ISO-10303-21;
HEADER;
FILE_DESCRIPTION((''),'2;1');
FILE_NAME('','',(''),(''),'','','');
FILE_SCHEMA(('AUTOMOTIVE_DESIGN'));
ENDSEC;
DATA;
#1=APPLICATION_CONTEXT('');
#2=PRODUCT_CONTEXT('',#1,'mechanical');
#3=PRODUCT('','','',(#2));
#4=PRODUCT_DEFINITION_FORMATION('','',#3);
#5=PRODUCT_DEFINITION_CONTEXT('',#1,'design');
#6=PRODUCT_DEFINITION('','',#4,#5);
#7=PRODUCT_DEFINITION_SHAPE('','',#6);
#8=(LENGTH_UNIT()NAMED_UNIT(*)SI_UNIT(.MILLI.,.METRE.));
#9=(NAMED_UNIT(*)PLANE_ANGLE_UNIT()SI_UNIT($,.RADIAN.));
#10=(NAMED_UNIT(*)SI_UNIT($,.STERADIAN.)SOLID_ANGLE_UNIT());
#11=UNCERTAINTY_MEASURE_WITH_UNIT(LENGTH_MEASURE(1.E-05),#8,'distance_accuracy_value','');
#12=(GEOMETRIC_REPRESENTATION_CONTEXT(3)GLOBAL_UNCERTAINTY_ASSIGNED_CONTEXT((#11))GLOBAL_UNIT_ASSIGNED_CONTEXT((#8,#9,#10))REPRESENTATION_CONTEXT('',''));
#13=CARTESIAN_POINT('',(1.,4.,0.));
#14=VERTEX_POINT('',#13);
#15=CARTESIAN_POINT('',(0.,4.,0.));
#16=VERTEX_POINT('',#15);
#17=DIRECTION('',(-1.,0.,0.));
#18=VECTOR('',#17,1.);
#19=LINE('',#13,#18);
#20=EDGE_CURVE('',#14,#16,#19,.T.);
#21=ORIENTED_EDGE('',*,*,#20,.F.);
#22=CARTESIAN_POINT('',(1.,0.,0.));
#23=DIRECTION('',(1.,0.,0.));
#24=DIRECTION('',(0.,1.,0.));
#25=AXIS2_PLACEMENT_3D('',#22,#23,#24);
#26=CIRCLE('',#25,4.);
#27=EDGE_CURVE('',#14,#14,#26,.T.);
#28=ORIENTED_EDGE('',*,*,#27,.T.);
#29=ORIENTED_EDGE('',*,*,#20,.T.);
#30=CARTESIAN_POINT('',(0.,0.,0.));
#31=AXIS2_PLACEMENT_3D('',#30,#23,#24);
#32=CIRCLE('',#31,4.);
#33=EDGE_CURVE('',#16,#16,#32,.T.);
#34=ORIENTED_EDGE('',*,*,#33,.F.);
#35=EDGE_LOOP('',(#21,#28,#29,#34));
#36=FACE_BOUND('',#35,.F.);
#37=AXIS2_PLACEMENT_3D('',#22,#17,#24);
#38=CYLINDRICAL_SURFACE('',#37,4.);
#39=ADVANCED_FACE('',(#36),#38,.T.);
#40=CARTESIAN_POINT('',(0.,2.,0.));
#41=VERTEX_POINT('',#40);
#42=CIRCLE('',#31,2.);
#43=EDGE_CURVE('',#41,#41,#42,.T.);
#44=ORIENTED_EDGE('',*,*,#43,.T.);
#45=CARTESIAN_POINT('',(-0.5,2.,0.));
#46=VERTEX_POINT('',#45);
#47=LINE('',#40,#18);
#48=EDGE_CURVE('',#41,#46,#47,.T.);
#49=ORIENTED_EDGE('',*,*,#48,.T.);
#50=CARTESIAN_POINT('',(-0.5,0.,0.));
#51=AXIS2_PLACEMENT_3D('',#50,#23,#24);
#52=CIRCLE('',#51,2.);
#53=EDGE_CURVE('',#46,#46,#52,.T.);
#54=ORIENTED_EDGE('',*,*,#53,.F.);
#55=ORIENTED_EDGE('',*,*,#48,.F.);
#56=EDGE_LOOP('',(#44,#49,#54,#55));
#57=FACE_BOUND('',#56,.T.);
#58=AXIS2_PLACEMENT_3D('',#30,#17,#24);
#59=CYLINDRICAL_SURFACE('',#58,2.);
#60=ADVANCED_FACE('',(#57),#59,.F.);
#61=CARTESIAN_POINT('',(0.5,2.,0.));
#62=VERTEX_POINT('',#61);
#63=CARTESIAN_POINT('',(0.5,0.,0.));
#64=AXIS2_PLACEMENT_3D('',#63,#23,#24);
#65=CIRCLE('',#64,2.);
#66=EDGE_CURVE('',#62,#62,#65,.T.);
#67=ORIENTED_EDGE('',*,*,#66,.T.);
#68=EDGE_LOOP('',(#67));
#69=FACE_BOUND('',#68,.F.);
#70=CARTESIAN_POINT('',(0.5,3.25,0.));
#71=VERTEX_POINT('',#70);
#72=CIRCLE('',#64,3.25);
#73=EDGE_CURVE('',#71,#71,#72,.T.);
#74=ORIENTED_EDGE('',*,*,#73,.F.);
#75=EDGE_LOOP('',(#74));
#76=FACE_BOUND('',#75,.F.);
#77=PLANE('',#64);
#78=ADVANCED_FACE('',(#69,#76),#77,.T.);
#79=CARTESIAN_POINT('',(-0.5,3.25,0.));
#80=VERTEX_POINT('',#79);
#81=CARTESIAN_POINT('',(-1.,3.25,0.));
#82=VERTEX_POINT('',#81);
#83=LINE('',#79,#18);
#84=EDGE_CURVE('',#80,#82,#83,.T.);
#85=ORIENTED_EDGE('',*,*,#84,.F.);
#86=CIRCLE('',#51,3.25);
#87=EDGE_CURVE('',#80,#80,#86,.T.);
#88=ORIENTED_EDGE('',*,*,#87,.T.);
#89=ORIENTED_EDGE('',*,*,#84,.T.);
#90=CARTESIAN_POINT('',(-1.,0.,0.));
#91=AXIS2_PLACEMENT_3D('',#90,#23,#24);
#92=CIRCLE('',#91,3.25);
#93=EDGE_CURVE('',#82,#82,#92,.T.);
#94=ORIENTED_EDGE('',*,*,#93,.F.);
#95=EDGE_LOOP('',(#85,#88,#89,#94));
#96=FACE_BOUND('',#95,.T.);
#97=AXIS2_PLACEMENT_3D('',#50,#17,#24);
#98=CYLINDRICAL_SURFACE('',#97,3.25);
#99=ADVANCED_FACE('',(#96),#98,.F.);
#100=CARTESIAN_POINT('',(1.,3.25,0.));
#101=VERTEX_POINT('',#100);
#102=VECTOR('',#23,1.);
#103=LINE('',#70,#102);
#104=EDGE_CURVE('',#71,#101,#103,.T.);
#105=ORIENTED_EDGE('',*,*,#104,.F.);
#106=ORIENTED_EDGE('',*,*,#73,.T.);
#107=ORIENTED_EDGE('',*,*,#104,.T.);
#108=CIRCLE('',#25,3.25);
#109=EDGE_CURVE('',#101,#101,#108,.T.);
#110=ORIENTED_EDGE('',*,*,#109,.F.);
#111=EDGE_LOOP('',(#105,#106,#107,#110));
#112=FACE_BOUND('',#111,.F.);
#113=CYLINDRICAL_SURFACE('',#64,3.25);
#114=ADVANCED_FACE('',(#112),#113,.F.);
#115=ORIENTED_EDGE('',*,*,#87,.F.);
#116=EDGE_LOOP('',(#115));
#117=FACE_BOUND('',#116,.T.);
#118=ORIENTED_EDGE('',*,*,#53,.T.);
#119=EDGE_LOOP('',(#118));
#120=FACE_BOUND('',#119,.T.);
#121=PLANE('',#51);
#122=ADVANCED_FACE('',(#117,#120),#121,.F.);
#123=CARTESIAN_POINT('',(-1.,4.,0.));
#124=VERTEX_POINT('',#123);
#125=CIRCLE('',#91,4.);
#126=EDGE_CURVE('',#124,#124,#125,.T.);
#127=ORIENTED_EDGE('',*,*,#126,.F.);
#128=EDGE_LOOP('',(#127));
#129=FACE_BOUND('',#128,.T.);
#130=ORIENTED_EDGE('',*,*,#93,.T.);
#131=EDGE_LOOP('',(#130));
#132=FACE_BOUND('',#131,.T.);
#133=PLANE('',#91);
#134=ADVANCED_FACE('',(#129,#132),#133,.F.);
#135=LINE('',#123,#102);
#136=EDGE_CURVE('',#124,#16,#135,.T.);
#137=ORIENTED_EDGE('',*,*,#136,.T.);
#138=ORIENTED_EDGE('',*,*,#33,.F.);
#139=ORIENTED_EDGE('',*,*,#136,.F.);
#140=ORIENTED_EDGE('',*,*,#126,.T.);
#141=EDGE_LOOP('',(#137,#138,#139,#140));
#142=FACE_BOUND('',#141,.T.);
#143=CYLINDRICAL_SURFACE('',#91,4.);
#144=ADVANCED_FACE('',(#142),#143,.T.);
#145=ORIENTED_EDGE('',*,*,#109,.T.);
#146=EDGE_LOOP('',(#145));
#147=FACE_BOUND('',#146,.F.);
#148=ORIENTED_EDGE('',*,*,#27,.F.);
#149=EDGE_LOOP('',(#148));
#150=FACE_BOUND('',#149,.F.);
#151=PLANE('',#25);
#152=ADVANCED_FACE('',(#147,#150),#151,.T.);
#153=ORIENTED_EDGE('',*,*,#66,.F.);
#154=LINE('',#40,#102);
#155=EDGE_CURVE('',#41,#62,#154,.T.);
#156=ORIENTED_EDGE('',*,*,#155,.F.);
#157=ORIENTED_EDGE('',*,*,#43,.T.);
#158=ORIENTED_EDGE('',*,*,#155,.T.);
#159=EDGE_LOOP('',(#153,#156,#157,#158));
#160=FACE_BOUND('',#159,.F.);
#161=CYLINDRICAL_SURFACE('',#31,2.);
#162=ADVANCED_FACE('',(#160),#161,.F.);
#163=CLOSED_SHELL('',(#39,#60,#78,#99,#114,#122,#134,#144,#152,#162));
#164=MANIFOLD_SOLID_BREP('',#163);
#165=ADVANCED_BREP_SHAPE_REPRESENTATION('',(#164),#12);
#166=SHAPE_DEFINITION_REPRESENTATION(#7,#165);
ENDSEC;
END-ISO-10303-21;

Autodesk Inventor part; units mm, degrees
ref_plane "YZ Plane" through (0, 0, 0) normal (1, 0, 0) x (0, 1, 0)
ref_plane "XZ Plane" through (0, 0, 0) normal (0, 1, 0) x (-1, 0, 0)
ref_plane "XY Plane" through (0, 0, 0) normal (0, 0, 1) x (1, 0, 0)
sketch "Sketch1" plane through (0, 0, 0) normal (0, 0, 1) x (1, 0, 0)
  line L0 (0, 2) -> (0.5, 2)
  line L1 (0.5, 2) -> (0.5, 3.25)
  line L2 (0.5, 3.25) -> (1, 3.25)
  line L3 (1, 3.25) -> (1, 4)
  line L4 (1, 4) -> (0, 4)
  line L5 (0, 4) -> (0, 2) construction
  line L6 (0, 0) -> (5.2426, 0) construction
  line L7 (0, 2) -> (-0.5, 2)
  line L8 (-0.5, 2) -> (-0.5, 3.25)
  line L9 (-0.5, 3.25) -> (-1, 3.25)
  line L10 (-1, 3.25) -> (-1, 4)
  line L11 (-1, 4) -> (0, 4)
  dimension "d0" = 4
  dimension "d1" = 0.5
  dimension "d2" = 8
  dimension "d4" = 0.5
  dimension "d5" = 6.5
revolve "Revolution1" add sketch "Sketch1" angle 360 about axis through (0, 0, 0) along (1, 0, 0)
properties part number "Pusher.springplate"
